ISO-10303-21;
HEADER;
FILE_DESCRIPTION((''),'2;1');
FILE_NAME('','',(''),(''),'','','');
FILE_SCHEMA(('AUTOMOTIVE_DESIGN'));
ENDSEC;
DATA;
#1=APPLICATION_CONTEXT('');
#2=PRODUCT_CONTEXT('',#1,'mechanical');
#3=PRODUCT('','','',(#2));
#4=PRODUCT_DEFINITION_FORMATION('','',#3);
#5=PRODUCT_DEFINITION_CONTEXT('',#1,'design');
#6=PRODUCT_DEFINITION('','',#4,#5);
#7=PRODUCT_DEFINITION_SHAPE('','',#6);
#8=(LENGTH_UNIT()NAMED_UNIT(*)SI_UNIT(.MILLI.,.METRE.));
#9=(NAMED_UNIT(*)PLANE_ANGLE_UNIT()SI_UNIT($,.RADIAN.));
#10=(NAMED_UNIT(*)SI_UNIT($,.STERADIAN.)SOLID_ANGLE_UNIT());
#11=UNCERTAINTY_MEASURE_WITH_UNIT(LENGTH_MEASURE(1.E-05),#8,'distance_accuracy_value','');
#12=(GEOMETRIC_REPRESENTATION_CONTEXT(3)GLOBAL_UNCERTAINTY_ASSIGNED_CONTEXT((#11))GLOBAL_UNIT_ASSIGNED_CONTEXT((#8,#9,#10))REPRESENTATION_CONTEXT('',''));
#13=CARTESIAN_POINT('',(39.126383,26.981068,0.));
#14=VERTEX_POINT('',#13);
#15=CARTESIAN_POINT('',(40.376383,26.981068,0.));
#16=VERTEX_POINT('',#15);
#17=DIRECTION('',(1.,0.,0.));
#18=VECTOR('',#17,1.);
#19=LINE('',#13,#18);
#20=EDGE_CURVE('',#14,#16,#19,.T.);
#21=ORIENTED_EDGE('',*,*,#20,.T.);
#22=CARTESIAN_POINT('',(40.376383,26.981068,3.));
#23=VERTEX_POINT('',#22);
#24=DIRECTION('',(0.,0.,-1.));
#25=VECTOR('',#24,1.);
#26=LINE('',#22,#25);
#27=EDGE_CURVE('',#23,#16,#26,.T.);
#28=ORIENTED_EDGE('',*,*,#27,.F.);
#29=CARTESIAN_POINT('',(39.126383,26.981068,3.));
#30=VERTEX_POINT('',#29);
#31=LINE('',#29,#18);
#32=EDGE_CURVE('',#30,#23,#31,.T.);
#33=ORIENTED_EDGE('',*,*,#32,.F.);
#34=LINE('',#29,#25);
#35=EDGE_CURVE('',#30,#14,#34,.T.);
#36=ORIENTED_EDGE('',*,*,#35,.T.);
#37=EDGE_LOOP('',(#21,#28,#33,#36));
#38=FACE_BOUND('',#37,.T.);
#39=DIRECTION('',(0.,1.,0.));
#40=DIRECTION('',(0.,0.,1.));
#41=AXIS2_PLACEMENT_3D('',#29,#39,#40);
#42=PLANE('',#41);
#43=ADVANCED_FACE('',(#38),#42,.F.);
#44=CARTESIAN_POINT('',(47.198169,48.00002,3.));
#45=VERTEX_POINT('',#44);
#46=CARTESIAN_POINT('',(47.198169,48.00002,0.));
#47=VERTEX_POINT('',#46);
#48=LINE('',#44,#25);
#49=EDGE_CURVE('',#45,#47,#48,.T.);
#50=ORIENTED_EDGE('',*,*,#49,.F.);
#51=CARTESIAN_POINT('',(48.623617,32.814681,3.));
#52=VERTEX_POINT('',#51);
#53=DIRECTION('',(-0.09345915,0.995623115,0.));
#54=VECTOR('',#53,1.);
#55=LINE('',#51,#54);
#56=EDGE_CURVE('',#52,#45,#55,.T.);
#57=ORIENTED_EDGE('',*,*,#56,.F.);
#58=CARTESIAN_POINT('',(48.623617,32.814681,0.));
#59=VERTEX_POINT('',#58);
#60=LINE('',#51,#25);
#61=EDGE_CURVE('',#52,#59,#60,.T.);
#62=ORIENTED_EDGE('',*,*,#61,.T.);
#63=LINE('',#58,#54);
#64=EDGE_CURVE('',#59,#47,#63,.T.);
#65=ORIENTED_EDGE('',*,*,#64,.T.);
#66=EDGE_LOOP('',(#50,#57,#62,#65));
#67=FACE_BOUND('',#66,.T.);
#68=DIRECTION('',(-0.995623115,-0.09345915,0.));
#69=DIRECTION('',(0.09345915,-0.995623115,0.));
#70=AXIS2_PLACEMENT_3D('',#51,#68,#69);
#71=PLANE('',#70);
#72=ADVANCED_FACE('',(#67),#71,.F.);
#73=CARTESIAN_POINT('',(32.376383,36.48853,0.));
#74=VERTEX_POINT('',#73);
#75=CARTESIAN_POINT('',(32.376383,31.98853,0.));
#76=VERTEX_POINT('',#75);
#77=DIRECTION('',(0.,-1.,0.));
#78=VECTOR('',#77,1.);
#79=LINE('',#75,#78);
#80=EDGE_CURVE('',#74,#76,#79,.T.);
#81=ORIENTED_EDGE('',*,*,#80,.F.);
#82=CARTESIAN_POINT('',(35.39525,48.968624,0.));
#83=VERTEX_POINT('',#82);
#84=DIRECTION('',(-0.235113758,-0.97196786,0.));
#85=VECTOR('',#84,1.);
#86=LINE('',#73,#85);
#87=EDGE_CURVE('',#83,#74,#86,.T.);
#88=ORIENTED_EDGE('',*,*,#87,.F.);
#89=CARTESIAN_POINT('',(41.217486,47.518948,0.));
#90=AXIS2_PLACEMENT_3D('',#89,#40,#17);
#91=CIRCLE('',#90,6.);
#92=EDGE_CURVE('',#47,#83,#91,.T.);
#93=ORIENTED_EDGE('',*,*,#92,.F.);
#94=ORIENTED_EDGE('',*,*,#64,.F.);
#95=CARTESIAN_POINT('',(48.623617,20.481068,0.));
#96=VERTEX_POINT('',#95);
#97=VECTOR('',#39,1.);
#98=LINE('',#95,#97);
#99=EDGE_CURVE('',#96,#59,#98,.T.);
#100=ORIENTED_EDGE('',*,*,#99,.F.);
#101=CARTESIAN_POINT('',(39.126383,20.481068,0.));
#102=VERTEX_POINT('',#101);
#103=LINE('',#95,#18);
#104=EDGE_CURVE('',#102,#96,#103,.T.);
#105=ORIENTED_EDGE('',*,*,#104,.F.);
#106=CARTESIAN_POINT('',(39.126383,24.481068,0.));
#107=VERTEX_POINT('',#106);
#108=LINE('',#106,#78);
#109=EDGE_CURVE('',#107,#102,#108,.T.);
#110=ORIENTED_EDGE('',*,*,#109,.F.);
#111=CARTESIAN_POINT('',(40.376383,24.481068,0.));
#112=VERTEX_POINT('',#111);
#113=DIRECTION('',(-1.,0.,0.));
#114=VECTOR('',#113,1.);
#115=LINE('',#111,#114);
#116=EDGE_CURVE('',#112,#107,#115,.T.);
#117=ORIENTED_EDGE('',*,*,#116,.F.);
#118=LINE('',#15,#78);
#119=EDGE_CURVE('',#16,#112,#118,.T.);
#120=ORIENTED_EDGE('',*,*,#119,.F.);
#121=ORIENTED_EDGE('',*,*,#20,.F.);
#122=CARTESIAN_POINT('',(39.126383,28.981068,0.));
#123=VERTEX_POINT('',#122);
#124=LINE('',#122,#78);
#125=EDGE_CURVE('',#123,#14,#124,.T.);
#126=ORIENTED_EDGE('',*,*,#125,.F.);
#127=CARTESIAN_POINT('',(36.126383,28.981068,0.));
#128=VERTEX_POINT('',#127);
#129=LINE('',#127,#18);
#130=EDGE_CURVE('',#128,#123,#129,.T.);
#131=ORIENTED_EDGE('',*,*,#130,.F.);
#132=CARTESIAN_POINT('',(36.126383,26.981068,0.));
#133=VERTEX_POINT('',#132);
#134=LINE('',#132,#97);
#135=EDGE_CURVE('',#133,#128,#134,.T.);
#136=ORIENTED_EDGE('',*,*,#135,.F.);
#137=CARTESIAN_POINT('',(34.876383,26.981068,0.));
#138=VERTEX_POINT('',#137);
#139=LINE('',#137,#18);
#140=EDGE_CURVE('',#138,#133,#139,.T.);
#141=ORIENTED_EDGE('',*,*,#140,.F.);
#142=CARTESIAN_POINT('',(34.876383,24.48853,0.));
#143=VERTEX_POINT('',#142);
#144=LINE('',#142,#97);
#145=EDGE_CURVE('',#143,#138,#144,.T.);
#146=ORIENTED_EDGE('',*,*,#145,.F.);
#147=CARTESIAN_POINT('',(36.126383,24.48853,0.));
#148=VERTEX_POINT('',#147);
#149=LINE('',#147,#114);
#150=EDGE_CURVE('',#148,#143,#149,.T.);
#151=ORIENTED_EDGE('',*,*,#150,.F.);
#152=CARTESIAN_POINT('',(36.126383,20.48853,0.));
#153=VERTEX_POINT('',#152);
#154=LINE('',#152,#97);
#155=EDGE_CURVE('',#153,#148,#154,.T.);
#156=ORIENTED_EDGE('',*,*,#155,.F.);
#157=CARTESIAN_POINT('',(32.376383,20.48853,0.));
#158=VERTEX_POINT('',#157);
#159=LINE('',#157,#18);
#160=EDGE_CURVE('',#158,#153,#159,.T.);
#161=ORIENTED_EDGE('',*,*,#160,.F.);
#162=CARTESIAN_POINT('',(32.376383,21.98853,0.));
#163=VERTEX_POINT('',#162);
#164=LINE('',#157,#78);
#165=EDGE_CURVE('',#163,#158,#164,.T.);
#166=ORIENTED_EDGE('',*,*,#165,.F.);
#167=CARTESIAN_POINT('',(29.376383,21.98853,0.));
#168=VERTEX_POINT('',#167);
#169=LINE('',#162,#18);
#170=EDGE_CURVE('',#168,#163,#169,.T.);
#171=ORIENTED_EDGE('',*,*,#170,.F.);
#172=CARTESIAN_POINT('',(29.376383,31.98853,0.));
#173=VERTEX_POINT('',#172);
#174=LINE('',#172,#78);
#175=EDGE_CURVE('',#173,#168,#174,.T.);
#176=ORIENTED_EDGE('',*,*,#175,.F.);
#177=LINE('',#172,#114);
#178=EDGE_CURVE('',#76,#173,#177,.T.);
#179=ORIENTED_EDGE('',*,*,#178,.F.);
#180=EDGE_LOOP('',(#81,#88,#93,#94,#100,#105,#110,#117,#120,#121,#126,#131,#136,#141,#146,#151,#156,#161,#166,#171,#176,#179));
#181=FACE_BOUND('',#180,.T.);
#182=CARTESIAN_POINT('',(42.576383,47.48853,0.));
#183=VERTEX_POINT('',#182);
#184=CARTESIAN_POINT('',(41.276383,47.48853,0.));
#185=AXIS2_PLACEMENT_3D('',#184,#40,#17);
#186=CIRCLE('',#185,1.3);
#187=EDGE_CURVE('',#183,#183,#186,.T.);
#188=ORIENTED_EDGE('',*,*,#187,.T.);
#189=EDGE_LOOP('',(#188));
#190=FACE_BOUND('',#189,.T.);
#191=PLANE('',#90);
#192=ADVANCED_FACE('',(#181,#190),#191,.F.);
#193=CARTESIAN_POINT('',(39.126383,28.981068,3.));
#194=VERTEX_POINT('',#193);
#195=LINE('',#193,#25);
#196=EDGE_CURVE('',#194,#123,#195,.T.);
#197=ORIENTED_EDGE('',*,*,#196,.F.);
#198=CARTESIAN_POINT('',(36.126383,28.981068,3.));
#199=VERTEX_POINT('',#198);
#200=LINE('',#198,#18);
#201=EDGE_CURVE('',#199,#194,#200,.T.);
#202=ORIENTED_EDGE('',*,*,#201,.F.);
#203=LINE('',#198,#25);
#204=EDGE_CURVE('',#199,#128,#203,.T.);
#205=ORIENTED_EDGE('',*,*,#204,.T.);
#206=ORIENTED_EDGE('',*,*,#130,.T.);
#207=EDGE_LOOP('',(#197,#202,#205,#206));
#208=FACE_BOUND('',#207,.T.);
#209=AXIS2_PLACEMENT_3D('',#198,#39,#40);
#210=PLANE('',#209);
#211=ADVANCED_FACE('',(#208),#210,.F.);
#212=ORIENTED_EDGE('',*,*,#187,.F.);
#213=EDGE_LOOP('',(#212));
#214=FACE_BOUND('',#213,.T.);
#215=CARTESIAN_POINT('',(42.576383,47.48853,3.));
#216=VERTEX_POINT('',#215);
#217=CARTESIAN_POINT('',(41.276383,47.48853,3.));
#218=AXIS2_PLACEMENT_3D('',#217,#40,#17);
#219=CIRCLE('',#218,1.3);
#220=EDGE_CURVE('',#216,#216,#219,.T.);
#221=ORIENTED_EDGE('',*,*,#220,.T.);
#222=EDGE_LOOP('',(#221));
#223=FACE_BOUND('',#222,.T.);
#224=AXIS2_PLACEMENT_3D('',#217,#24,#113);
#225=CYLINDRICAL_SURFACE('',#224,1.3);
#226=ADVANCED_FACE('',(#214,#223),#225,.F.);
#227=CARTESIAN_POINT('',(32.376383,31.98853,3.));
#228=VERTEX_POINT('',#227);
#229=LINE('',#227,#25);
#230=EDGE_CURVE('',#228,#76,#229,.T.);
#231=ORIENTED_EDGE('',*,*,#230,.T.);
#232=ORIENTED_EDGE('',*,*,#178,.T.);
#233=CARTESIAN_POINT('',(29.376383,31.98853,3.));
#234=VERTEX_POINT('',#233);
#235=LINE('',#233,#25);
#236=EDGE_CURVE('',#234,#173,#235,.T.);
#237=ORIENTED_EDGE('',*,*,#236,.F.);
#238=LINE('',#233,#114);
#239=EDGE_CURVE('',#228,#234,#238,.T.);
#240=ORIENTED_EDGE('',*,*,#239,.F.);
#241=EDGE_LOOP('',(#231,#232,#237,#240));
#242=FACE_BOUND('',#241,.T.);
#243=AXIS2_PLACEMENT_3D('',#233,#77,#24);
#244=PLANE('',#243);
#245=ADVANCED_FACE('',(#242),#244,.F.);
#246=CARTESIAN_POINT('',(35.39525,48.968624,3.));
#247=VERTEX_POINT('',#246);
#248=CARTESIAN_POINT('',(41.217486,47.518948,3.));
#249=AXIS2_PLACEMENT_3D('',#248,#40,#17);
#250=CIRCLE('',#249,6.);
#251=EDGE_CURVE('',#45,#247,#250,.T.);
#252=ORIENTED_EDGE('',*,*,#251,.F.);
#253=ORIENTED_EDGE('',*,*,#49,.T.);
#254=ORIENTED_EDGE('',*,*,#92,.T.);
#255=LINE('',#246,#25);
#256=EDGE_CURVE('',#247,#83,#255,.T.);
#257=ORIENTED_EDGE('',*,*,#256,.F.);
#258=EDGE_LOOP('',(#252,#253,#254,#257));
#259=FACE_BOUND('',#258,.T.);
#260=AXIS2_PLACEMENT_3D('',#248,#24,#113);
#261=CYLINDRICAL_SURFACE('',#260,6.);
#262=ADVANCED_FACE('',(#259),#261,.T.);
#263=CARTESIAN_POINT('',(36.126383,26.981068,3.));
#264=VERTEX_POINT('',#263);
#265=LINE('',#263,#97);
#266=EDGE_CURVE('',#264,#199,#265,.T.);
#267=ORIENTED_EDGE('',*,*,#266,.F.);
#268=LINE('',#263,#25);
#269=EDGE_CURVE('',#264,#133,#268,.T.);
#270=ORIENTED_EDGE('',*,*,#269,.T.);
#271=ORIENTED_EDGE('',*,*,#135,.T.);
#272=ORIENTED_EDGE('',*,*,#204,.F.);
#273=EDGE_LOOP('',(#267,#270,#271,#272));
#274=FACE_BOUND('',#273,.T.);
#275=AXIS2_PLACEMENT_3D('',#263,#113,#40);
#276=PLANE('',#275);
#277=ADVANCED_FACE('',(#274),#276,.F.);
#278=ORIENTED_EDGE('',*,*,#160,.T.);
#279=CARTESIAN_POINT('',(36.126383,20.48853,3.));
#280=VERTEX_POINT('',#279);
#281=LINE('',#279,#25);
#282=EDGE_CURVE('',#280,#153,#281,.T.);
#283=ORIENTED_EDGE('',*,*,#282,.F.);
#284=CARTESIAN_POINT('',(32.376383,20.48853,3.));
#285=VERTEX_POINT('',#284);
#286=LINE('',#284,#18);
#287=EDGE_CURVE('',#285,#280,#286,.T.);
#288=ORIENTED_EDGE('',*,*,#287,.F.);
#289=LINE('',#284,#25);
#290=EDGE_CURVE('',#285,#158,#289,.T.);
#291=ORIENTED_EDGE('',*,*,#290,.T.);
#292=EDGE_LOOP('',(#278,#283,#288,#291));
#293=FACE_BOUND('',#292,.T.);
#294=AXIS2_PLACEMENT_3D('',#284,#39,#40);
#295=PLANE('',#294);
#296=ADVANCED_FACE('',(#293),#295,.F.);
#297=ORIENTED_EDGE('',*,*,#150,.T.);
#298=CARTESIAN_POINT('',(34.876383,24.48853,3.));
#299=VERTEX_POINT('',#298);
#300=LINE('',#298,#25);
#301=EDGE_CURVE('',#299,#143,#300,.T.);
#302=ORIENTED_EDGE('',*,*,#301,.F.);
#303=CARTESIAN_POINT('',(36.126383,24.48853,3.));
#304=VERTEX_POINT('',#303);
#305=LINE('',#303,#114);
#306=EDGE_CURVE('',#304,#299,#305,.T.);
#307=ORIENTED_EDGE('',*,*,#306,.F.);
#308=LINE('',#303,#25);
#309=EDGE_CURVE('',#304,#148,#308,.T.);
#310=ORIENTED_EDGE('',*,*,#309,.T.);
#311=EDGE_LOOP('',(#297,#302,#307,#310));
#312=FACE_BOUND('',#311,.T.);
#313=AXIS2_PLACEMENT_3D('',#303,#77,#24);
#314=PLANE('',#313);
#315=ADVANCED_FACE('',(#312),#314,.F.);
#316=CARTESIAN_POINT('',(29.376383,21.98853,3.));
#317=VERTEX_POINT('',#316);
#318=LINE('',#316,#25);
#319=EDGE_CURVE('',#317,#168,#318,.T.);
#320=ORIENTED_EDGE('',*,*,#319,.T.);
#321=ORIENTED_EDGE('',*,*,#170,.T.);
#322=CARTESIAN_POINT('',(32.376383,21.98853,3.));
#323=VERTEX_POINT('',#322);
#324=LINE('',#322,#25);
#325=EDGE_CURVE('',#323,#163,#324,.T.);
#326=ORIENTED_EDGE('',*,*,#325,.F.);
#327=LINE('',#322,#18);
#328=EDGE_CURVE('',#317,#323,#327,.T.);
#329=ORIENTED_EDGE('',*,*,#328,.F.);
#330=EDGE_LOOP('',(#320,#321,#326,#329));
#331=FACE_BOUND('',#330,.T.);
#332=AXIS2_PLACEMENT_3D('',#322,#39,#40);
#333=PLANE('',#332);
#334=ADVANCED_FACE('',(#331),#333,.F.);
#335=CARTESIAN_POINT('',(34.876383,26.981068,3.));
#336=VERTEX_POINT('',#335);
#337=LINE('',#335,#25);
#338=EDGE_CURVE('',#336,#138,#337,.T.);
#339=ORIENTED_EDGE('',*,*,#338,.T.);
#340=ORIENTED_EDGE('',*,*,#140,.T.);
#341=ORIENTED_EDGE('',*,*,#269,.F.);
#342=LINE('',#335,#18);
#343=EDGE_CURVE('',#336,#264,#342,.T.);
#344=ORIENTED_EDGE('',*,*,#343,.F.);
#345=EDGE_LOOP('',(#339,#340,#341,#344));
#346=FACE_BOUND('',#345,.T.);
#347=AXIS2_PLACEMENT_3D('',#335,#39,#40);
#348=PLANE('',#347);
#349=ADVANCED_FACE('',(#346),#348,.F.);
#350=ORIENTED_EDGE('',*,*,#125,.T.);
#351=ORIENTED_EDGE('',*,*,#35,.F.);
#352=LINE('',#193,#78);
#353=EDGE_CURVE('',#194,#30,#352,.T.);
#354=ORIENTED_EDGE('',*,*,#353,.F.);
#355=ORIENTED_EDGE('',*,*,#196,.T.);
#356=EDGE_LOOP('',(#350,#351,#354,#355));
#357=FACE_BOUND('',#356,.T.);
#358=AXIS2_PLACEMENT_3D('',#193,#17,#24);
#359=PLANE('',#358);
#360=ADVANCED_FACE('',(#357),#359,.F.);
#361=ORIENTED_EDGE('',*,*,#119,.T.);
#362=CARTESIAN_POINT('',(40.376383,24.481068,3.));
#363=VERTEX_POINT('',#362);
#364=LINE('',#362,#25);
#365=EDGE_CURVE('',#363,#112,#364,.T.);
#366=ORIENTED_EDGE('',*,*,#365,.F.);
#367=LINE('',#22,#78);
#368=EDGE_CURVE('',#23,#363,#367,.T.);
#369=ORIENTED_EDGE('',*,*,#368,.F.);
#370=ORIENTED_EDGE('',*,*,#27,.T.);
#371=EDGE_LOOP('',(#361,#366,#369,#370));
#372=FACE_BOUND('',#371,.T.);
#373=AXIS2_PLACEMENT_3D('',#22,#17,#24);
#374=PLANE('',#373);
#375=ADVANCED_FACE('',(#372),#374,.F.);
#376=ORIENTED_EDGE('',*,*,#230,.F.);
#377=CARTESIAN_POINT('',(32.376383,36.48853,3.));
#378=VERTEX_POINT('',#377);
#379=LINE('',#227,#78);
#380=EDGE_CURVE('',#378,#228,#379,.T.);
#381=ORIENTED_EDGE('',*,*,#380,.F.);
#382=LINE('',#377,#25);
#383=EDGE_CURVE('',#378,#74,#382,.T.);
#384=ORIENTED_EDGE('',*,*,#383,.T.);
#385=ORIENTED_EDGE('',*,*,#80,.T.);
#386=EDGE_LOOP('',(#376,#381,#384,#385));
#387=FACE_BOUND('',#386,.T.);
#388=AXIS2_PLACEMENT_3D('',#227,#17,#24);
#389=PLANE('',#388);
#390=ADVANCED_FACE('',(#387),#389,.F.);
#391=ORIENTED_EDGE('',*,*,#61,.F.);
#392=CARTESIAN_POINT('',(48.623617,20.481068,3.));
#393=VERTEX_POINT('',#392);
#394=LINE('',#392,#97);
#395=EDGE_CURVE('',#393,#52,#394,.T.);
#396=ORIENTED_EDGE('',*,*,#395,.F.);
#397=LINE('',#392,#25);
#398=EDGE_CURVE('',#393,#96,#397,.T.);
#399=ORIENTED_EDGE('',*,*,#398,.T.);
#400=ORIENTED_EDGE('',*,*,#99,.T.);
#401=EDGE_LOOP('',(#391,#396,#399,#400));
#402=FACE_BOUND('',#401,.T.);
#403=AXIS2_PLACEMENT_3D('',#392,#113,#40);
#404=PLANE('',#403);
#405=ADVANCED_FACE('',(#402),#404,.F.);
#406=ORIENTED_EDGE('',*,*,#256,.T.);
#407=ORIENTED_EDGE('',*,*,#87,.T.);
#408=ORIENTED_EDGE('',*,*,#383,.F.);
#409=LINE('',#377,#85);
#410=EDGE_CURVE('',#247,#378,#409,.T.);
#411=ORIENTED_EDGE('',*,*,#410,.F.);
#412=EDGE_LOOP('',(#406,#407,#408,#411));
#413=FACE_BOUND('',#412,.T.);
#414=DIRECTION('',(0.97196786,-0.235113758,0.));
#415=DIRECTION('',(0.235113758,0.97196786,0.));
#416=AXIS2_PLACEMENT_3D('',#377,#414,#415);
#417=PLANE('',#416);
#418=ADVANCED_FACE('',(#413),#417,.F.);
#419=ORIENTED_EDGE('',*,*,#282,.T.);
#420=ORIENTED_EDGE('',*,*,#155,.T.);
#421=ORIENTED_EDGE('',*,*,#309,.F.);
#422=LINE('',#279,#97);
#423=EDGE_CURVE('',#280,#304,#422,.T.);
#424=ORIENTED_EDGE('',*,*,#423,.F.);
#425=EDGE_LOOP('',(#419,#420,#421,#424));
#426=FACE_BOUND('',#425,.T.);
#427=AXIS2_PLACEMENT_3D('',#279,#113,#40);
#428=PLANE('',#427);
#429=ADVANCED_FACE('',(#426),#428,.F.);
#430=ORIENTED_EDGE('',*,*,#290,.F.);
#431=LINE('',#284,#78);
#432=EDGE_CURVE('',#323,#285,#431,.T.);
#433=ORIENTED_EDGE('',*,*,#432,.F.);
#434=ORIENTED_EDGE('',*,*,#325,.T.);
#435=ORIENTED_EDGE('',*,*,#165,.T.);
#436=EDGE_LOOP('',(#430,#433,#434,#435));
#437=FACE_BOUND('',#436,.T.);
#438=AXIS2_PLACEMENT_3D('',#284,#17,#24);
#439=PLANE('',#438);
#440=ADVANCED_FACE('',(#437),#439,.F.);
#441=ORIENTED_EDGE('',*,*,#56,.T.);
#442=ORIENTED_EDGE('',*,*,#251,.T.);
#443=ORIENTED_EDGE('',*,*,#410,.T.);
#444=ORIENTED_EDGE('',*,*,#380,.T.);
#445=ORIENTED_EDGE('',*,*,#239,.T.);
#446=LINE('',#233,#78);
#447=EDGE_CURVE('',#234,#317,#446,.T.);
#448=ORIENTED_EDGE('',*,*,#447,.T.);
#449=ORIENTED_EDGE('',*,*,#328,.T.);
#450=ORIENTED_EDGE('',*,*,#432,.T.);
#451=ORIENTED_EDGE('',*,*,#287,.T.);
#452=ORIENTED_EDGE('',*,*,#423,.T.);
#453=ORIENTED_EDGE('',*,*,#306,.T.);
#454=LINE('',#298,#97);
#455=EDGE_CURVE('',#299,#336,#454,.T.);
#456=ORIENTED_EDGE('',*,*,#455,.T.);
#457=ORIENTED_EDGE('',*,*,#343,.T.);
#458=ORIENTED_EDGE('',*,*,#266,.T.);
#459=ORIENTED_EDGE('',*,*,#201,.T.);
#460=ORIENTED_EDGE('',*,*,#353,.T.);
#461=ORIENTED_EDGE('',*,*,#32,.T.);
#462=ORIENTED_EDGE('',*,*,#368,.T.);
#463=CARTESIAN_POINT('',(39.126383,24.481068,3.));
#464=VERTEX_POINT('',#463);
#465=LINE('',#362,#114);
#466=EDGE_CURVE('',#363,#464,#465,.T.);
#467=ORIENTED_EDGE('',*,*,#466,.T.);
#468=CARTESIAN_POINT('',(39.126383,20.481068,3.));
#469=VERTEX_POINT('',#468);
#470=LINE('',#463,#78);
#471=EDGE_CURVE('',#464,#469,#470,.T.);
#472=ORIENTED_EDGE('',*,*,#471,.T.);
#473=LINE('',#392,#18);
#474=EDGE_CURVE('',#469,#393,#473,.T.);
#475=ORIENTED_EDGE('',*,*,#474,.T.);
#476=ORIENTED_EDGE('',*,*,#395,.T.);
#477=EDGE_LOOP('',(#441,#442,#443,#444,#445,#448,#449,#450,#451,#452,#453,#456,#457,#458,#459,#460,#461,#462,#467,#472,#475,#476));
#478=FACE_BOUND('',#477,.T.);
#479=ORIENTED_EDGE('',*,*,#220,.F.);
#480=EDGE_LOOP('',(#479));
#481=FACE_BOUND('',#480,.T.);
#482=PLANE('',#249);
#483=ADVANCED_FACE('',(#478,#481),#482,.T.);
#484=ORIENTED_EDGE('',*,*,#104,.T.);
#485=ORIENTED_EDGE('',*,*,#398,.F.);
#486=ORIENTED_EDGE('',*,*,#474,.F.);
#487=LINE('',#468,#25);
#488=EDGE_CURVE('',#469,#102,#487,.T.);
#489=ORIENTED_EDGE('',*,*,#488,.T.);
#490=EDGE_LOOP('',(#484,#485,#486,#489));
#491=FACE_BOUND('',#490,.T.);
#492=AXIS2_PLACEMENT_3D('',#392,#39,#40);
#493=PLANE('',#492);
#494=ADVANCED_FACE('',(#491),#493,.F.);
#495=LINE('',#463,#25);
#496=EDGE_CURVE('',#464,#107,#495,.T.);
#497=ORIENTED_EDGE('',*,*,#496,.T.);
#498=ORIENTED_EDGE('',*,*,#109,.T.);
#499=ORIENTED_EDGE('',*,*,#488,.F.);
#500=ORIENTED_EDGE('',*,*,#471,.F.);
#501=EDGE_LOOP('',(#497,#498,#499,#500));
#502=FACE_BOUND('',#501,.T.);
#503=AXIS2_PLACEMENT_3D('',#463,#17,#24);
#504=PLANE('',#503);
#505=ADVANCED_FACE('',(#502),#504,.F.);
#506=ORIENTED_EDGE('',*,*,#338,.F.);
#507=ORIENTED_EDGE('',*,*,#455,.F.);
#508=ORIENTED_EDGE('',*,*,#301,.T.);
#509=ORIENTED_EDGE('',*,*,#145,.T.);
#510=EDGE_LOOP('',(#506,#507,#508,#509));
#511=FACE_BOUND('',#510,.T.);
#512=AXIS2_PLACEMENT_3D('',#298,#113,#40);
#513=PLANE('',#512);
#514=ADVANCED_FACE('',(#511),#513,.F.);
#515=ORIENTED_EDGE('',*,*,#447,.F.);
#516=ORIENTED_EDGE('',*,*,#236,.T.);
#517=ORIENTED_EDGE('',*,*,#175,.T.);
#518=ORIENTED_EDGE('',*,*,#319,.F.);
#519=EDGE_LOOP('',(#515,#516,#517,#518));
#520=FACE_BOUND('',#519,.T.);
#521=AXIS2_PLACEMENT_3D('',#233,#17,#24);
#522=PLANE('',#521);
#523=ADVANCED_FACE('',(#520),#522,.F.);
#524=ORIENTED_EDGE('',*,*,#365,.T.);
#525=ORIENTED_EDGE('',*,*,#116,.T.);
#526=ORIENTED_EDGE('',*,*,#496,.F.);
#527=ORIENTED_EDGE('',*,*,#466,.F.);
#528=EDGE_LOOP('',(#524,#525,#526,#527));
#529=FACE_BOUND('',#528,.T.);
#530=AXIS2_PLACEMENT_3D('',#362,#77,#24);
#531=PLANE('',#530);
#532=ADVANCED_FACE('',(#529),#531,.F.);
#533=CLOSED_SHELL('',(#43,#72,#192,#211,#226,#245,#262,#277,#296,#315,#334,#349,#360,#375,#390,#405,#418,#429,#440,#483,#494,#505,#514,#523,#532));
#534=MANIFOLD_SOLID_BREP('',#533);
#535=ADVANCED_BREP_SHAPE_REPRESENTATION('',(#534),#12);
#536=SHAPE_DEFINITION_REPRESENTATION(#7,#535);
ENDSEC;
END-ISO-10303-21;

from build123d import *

# Parameters (mm, degrees)
MODEL_R             = 1.3
BOSS_EXTRUDE1_DEPTH = 3


with BuildPart() as part:
    # Model → Boss-Extrude1 (new body)
    with BuildSketch(Plane.XY):
        with BuildLine():
            Line((48.62361742, 20.481068056), (39.12638258, 20.481068056))
            Line((39.12638258, 20.481068056), (39.12638258, 24.481068056))
            Line((39.12638258, 24.481068056), (40.37638258, 24.481068056))
            Line((40.37638258, 24.481068056), (40.37638258, 26.981068056))
            Line((40.37638258, 26.981068056), (39.12638258, 26.981068056))
            Line((39.12638258, 26.981068056), (39.12638258, 28.981068056))
            Line((39.12638258, 28.981068056), (36.12638258, 28.981068056))
            Line((36.12638258, 28.981068056), (36.12638258, 26.981068056))
            Line((36.12638258, 26.981068056), (34.87638258, 26.981068056))
            Line((34.87638258, 26.981068056), (34.87638258, 24.488530086))
            Line((34.87638258, 24.488530086), (36.12638258, 24.488530086))
            Line((36.12638258, 24.488530086), (36.12638258, 20.488530086))
            Line((36.12638258, 20.488530086), (32.37638258, 20.488530086))
            Line((32.37638258, 20.488530086), (32.37638258, 21.988530086))
            Line((32.37638258, 21.988530086), (29.37638258, 21.988530086))
            Line((29.37638258, 21.988530086), (29.37638258, 31.988530086))
            Line((29.37638258, 31.988530086), (32.37638258, 31.988530086))
            Line((32.37638258, 31.988530086), (32.37638258, 36.488530086))
            Line((32.37638258, 36.488530086), (35.395249636, 48.968623875))
            ThreePointArc((35.395249636, 48.968623875), (41.708225131, 53.498846113), (47.198169486, 48.000020412))
            Line((47.198169486, 48.000020412), (48.62361742, 32.814680991))
            Line((48.62361742, 32.814680991), (48.62361742, 20.481068056))
        make_face()
        with Locations((41.27638258, 47.488530086)):
            Circle(MODEL_R, mode=Mode.SUBTRACT)
    extrude(amount=BOSS_EXTRUDE1_DEPTH)


solid = part.part
